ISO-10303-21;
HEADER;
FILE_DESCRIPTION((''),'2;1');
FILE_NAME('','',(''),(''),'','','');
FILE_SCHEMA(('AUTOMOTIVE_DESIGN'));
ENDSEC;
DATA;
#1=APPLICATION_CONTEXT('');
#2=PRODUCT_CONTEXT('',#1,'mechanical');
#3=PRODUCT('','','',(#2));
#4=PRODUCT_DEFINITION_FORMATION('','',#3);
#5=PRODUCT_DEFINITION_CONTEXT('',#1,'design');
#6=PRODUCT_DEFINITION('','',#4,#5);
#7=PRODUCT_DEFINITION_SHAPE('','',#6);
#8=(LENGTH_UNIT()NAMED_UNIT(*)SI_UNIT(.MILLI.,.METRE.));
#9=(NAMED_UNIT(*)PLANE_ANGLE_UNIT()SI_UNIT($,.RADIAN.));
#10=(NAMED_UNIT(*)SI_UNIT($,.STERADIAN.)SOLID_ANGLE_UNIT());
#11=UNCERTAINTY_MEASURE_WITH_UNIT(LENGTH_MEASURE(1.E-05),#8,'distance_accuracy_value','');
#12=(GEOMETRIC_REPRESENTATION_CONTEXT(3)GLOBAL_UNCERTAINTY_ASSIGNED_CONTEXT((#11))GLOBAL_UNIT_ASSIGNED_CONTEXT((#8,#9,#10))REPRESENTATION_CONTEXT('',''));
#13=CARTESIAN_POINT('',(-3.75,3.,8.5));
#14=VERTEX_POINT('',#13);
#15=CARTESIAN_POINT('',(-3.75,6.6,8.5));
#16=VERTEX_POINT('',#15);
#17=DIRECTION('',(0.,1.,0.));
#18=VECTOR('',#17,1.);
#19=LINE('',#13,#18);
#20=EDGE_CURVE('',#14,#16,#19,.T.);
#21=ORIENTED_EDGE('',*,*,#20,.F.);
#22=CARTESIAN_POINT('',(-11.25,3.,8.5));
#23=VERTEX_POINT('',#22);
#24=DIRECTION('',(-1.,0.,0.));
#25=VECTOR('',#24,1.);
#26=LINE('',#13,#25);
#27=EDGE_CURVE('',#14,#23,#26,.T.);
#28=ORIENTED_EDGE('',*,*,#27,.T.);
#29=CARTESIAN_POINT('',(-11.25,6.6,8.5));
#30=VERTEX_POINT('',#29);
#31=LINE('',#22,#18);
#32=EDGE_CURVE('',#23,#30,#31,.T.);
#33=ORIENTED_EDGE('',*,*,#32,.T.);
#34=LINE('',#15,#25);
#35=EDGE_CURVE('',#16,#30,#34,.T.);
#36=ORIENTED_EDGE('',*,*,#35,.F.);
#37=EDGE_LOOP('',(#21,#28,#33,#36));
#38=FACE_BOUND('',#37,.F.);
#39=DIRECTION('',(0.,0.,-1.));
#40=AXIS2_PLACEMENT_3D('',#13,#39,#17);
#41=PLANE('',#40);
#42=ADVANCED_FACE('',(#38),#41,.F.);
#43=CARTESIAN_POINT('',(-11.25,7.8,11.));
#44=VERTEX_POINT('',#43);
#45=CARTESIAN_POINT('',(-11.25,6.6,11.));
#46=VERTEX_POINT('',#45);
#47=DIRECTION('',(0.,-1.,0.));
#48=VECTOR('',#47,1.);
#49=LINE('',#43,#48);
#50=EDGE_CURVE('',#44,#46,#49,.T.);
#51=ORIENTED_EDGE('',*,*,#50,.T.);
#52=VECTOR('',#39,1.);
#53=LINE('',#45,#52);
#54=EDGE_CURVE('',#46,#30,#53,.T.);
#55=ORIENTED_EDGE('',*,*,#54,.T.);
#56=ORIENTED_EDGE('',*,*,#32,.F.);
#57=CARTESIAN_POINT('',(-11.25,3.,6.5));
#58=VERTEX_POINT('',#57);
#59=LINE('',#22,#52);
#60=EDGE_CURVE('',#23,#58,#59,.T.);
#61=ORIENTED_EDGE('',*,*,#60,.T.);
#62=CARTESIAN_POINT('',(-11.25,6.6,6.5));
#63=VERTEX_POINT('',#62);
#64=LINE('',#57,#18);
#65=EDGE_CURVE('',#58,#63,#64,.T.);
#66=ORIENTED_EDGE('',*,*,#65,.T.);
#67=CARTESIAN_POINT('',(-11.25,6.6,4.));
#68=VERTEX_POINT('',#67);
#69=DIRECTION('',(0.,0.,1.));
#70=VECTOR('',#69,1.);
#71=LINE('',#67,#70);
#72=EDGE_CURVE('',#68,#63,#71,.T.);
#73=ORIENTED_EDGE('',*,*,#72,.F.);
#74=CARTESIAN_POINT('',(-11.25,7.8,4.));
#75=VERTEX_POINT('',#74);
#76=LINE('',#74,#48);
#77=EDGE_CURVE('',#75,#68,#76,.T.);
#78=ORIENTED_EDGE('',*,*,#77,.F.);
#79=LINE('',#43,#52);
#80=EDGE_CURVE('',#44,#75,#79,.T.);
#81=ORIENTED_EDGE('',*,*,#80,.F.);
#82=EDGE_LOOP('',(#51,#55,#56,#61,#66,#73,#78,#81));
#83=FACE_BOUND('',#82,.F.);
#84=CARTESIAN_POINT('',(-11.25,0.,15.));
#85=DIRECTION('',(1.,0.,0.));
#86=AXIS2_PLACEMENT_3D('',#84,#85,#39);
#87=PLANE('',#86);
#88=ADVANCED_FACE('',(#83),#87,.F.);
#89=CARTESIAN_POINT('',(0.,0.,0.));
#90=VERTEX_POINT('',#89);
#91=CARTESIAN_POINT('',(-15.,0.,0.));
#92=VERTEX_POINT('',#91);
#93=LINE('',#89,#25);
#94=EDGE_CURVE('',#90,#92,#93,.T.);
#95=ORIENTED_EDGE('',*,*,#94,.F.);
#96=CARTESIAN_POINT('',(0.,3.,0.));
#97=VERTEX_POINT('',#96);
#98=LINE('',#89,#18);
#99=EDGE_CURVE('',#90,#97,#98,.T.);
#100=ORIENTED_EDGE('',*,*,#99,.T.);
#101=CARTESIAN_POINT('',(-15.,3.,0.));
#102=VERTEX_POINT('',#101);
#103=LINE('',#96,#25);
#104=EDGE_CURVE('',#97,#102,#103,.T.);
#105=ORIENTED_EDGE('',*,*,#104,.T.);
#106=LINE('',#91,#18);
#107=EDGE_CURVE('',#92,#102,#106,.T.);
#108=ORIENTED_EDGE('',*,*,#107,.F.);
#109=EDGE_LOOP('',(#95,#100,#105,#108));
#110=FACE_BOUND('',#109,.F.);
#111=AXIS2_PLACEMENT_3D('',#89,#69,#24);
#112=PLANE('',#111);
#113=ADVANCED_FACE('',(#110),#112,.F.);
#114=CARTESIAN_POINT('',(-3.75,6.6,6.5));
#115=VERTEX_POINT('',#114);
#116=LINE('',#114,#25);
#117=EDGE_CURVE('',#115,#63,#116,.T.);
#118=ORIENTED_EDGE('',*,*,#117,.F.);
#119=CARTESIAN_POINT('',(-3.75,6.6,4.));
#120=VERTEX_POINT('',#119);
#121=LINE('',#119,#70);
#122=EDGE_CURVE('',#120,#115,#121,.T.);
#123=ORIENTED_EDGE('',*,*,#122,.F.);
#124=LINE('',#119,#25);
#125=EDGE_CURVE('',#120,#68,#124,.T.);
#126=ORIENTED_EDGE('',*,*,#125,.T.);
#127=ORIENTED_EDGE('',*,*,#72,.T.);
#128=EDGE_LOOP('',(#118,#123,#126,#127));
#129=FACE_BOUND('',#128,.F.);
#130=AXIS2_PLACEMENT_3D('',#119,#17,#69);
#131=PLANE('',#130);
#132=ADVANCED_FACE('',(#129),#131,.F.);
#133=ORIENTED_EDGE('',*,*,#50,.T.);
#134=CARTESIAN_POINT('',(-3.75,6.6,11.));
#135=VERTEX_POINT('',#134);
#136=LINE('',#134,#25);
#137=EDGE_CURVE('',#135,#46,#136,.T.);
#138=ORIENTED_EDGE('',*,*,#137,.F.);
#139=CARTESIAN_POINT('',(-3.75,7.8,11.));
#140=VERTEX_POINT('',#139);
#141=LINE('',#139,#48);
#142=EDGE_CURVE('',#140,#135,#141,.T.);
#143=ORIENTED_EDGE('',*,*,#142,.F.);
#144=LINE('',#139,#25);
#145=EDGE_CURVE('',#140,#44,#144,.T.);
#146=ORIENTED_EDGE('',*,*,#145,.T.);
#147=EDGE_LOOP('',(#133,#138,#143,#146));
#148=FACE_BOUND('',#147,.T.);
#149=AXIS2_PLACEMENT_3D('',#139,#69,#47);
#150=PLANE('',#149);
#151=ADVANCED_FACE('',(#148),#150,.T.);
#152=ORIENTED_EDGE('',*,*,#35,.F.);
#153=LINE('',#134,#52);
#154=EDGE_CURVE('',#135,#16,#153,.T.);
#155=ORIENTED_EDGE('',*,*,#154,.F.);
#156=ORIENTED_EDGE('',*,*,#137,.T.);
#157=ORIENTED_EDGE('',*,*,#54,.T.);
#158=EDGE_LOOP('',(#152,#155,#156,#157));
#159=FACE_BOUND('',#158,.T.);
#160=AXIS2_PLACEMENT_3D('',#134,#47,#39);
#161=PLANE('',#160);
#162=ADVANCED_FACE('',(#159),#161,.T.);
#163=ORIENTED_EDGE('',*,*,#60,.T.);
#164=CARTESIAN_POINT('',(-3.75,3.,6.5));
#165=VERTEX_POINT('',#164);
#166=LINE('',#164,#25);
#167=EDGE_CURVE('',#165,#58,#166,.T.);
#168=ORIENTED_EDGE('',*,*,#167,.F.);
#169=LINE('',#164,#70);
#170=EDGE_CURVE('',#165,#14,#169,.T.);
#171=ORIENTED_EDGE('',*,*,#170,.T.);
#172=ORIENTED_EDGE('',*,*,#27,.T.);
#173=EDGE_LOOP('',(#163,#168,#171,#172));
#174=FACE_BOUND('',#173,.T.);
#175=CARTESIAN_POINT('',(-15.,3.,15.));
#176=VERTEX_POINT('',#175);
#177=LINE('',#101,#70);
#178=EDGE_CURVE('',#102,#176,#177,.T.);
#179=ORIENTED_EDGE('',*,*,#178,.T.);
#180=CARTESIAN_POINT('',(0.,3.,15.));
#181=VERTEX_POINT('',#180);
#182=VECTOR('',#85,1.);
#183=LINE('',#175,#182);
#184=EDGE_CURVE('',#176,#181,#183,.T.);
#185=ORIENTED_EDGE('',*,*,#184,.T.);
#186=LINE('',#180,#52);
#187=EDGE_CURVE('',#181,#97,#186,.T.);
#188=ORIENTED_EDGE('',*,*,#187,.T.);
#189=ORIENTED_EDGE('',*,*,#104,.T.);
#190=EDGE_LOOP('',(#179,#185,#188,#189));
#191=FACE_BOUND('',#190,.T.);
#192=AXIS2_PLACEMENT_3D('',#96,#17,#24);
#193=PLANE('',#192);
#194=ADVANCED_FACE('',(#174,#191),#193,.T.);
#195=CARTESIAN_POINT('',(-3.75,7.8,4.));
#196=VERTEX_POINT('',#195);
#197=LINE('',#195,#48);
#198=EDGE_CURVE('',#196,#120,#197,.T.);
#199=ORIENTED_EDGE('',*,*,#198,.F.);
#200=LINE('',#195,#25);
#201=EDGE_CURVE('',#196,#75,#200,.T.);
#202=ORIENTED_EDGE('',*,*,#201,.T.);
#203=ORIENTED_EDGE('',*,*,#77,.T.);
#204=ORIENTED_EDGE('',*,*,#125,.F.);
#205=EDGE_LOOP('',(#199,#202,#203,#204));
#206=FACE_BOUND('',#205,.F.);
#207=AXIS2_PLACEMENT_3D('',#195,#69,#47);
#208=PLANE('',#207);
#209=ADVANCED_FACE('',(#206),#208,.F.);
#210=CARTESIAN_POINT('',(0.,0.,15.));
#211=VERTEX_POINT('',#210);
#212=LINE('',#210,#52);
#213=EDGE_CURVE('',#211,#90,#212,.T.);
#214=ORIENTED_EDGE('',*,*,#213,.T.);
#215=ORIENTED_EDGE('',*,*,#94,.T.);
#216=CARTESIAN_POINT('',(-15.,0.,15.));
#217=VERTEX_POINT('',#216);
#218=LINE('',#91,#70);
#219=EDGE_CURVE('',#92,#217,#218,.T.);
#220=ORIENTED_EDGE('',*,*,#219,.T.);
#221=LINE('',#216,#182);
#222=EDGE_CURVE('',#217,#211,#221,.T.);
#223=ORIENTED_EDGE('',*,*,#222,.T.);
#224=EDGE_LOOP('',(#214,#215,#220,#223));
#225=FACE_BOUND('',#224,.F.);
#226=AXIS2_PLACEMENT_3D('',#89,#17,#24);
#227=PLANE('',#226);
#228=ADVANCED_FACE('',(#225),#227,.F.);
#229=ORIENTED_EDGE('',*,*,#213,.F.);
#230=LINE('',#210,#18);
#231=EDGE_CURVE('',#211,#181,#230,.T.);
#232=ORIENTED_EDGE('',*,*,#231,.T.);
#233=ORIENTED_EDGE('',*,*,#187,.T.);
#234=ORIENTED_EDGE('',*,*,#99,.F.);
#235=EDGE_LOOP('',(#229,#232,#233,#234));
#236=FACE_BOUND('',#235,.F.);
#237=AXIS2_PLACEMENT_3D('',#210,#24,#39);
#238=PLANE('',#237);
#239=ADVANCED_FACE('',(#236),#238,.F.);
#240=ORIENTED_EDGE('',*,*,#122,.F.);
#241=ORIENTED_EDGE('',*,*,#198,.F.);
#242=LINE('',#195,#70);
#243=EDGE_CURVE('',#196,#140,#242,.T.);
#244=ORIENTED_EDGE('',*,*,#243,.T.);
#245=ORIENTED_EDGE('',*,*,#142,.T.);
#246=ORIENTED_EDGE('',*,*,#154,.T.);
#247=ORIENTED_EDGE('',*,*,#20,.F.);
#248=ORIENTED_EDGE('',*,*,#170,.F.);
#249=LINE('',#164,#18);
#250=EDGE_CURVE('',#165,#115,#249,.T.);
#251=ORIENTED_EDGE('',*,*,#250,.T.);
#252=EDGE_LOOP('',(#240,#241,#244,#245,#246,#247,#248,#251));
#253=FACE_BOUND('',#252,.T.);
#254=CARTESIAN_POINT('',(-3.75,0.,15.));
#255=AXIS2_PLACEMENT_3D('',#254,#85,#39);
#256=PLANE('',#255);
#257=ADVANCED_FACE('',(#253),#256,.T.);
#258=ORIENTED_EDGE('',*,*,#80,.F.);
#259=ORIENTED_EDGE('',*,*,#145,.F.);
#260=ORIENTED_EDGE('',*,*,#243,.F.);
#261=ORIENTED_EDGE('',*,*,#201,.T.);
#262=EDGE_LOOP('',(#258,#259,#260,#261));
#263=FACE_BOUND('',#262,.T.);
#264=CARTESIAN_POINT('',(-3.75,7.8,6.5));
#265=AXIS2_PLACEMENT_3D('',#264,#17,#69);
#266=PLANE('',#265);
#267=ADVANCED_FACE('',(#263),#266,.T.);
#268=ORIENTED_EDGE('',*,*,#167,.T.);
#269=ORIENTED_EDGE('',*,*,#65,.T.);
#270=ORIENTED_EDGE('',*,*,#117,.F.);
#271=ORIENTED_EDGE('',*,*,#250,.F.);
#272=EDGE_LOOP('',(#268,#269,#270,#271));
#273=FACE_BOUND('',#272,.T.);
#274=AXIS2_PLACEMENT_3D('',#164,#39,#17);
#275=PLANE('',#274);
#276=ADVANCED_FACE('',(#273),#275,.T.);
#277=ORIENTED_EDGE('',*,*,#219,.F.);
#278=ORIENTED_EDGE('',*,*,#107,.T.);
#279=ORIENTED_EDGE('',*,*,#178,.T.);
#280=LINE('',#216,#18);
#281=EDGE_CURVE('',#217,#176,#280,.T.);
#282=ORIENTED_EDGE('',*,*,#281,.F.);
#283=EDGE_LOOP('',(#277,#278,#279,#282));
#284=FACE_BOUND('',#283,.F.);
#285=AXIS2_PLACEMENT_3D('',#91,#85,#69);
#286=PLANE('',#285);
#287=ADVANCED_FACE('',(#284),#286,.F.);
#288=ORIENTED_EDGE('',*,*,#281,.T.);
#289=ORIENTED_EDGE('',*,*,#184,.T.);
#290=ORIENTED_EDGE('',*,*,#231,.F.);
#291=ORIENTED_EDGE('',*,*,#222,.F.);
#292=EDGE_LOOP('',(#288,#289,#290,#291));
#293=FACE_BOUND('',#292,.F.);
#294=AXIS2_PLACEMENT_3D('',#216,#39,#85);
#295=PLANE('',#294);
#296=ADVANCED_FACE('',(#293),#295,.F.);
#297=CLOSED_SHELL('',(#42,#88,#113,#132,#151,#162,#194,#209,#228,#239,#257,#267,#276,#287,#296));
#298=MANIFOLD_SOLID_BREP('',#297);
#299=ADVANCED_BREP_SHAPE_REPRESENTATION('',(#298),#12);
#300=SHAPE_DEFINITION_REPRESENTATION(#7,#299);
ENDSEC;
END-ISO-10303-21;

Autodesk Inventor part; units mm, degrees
ref_plane "YZ Plane" through (0, 0, 0) normal (1, 0, 0) x (0, 1, 0)
ref_plane "XZ Plane" through (0, 0, 0) normal (0, 1, 0) x (-1, 0, 0)
ref_plane "XY Plane" through (0, 0, 0) normal (0, 0, 1) x (1, 0, 0)
sketch "Sketch1" plane through (0, 0, 0) normal (0, 1, 0) x (-1, 0, 0)
  line L0 (0, 0) -> (15, 0)
  line L1 (15, 0) -> (15, 15)
  line L2 (15, 15) -> (0, 15)
  line L3 (0, 15) -> (0, 0)
  dimension "d0" = 15
  dimension "d1" = 15
extrude "Extrusion1" add sketch "Sketch1" along normal blind 3
ref_plane "Work Plane1" through (-3.75, 0, 15) normal (1, 0, 0) x (0, 0, -1)
sketch "Sketch2" plane through (-3.75, 0, 15) normal (1, 0, 0) x (0, 0, -1)
  line L0 (15, 3) -> (0, 3) projected
  line L1 (9.0593, 3) -> (5.9407, 3)
  line L2 (7.5, 3) -> (7.5, 8.2025)
  line L3 (0, 0) -> (0, 3) projected
  line L4 (7.5, 3) -> (8.5, 3)
  line L5 (8.5, 3) -> (8.5, 7.8)
  line L6 (8.5, 7.8) -> (7.5, 7.8)
  line L7 (7.5, 7.8) -> (7.5, 3)
  line L8 (8.5, 7.8) -> (11, 7.8)
  line L9 (11, 7.8) -> (11, 6.6)
  line L10 (11, 6.6) -> (8.5, 6.6)
  line L11 (8.5, 6.6) -> (8.5, 7.8)
  line L12 (6.5, 3) -> (6.5, 7.8)
  line L13 (6.5, 7.8) -> (7.5, 7.8)
  line L14 (6.5, 7.8) -> (4, 7.8)
  line L15 (4, 7.8) -> (4, 6.6)
  line L16 (4, 6.6) -> (6.5, 6.6)
  line L17 (6.5, 6.6) -> (6.5, 7.8)
  point P0 (15, 0)
  point P1 (6.5, 3)
  point P2 (8.5, 3)
  dimension "d5" = 5.2025
  dimension "d6" = 7.5
  dimension "d7" = 4.8
  dimension "d8" = 1
  dimension "d9" = 7
  dimension "d10" = 1.2
extrude "Extrusion2" add sketch "Sketch2" against normal blind 7.5
properties part number "SlangHållareFot"
